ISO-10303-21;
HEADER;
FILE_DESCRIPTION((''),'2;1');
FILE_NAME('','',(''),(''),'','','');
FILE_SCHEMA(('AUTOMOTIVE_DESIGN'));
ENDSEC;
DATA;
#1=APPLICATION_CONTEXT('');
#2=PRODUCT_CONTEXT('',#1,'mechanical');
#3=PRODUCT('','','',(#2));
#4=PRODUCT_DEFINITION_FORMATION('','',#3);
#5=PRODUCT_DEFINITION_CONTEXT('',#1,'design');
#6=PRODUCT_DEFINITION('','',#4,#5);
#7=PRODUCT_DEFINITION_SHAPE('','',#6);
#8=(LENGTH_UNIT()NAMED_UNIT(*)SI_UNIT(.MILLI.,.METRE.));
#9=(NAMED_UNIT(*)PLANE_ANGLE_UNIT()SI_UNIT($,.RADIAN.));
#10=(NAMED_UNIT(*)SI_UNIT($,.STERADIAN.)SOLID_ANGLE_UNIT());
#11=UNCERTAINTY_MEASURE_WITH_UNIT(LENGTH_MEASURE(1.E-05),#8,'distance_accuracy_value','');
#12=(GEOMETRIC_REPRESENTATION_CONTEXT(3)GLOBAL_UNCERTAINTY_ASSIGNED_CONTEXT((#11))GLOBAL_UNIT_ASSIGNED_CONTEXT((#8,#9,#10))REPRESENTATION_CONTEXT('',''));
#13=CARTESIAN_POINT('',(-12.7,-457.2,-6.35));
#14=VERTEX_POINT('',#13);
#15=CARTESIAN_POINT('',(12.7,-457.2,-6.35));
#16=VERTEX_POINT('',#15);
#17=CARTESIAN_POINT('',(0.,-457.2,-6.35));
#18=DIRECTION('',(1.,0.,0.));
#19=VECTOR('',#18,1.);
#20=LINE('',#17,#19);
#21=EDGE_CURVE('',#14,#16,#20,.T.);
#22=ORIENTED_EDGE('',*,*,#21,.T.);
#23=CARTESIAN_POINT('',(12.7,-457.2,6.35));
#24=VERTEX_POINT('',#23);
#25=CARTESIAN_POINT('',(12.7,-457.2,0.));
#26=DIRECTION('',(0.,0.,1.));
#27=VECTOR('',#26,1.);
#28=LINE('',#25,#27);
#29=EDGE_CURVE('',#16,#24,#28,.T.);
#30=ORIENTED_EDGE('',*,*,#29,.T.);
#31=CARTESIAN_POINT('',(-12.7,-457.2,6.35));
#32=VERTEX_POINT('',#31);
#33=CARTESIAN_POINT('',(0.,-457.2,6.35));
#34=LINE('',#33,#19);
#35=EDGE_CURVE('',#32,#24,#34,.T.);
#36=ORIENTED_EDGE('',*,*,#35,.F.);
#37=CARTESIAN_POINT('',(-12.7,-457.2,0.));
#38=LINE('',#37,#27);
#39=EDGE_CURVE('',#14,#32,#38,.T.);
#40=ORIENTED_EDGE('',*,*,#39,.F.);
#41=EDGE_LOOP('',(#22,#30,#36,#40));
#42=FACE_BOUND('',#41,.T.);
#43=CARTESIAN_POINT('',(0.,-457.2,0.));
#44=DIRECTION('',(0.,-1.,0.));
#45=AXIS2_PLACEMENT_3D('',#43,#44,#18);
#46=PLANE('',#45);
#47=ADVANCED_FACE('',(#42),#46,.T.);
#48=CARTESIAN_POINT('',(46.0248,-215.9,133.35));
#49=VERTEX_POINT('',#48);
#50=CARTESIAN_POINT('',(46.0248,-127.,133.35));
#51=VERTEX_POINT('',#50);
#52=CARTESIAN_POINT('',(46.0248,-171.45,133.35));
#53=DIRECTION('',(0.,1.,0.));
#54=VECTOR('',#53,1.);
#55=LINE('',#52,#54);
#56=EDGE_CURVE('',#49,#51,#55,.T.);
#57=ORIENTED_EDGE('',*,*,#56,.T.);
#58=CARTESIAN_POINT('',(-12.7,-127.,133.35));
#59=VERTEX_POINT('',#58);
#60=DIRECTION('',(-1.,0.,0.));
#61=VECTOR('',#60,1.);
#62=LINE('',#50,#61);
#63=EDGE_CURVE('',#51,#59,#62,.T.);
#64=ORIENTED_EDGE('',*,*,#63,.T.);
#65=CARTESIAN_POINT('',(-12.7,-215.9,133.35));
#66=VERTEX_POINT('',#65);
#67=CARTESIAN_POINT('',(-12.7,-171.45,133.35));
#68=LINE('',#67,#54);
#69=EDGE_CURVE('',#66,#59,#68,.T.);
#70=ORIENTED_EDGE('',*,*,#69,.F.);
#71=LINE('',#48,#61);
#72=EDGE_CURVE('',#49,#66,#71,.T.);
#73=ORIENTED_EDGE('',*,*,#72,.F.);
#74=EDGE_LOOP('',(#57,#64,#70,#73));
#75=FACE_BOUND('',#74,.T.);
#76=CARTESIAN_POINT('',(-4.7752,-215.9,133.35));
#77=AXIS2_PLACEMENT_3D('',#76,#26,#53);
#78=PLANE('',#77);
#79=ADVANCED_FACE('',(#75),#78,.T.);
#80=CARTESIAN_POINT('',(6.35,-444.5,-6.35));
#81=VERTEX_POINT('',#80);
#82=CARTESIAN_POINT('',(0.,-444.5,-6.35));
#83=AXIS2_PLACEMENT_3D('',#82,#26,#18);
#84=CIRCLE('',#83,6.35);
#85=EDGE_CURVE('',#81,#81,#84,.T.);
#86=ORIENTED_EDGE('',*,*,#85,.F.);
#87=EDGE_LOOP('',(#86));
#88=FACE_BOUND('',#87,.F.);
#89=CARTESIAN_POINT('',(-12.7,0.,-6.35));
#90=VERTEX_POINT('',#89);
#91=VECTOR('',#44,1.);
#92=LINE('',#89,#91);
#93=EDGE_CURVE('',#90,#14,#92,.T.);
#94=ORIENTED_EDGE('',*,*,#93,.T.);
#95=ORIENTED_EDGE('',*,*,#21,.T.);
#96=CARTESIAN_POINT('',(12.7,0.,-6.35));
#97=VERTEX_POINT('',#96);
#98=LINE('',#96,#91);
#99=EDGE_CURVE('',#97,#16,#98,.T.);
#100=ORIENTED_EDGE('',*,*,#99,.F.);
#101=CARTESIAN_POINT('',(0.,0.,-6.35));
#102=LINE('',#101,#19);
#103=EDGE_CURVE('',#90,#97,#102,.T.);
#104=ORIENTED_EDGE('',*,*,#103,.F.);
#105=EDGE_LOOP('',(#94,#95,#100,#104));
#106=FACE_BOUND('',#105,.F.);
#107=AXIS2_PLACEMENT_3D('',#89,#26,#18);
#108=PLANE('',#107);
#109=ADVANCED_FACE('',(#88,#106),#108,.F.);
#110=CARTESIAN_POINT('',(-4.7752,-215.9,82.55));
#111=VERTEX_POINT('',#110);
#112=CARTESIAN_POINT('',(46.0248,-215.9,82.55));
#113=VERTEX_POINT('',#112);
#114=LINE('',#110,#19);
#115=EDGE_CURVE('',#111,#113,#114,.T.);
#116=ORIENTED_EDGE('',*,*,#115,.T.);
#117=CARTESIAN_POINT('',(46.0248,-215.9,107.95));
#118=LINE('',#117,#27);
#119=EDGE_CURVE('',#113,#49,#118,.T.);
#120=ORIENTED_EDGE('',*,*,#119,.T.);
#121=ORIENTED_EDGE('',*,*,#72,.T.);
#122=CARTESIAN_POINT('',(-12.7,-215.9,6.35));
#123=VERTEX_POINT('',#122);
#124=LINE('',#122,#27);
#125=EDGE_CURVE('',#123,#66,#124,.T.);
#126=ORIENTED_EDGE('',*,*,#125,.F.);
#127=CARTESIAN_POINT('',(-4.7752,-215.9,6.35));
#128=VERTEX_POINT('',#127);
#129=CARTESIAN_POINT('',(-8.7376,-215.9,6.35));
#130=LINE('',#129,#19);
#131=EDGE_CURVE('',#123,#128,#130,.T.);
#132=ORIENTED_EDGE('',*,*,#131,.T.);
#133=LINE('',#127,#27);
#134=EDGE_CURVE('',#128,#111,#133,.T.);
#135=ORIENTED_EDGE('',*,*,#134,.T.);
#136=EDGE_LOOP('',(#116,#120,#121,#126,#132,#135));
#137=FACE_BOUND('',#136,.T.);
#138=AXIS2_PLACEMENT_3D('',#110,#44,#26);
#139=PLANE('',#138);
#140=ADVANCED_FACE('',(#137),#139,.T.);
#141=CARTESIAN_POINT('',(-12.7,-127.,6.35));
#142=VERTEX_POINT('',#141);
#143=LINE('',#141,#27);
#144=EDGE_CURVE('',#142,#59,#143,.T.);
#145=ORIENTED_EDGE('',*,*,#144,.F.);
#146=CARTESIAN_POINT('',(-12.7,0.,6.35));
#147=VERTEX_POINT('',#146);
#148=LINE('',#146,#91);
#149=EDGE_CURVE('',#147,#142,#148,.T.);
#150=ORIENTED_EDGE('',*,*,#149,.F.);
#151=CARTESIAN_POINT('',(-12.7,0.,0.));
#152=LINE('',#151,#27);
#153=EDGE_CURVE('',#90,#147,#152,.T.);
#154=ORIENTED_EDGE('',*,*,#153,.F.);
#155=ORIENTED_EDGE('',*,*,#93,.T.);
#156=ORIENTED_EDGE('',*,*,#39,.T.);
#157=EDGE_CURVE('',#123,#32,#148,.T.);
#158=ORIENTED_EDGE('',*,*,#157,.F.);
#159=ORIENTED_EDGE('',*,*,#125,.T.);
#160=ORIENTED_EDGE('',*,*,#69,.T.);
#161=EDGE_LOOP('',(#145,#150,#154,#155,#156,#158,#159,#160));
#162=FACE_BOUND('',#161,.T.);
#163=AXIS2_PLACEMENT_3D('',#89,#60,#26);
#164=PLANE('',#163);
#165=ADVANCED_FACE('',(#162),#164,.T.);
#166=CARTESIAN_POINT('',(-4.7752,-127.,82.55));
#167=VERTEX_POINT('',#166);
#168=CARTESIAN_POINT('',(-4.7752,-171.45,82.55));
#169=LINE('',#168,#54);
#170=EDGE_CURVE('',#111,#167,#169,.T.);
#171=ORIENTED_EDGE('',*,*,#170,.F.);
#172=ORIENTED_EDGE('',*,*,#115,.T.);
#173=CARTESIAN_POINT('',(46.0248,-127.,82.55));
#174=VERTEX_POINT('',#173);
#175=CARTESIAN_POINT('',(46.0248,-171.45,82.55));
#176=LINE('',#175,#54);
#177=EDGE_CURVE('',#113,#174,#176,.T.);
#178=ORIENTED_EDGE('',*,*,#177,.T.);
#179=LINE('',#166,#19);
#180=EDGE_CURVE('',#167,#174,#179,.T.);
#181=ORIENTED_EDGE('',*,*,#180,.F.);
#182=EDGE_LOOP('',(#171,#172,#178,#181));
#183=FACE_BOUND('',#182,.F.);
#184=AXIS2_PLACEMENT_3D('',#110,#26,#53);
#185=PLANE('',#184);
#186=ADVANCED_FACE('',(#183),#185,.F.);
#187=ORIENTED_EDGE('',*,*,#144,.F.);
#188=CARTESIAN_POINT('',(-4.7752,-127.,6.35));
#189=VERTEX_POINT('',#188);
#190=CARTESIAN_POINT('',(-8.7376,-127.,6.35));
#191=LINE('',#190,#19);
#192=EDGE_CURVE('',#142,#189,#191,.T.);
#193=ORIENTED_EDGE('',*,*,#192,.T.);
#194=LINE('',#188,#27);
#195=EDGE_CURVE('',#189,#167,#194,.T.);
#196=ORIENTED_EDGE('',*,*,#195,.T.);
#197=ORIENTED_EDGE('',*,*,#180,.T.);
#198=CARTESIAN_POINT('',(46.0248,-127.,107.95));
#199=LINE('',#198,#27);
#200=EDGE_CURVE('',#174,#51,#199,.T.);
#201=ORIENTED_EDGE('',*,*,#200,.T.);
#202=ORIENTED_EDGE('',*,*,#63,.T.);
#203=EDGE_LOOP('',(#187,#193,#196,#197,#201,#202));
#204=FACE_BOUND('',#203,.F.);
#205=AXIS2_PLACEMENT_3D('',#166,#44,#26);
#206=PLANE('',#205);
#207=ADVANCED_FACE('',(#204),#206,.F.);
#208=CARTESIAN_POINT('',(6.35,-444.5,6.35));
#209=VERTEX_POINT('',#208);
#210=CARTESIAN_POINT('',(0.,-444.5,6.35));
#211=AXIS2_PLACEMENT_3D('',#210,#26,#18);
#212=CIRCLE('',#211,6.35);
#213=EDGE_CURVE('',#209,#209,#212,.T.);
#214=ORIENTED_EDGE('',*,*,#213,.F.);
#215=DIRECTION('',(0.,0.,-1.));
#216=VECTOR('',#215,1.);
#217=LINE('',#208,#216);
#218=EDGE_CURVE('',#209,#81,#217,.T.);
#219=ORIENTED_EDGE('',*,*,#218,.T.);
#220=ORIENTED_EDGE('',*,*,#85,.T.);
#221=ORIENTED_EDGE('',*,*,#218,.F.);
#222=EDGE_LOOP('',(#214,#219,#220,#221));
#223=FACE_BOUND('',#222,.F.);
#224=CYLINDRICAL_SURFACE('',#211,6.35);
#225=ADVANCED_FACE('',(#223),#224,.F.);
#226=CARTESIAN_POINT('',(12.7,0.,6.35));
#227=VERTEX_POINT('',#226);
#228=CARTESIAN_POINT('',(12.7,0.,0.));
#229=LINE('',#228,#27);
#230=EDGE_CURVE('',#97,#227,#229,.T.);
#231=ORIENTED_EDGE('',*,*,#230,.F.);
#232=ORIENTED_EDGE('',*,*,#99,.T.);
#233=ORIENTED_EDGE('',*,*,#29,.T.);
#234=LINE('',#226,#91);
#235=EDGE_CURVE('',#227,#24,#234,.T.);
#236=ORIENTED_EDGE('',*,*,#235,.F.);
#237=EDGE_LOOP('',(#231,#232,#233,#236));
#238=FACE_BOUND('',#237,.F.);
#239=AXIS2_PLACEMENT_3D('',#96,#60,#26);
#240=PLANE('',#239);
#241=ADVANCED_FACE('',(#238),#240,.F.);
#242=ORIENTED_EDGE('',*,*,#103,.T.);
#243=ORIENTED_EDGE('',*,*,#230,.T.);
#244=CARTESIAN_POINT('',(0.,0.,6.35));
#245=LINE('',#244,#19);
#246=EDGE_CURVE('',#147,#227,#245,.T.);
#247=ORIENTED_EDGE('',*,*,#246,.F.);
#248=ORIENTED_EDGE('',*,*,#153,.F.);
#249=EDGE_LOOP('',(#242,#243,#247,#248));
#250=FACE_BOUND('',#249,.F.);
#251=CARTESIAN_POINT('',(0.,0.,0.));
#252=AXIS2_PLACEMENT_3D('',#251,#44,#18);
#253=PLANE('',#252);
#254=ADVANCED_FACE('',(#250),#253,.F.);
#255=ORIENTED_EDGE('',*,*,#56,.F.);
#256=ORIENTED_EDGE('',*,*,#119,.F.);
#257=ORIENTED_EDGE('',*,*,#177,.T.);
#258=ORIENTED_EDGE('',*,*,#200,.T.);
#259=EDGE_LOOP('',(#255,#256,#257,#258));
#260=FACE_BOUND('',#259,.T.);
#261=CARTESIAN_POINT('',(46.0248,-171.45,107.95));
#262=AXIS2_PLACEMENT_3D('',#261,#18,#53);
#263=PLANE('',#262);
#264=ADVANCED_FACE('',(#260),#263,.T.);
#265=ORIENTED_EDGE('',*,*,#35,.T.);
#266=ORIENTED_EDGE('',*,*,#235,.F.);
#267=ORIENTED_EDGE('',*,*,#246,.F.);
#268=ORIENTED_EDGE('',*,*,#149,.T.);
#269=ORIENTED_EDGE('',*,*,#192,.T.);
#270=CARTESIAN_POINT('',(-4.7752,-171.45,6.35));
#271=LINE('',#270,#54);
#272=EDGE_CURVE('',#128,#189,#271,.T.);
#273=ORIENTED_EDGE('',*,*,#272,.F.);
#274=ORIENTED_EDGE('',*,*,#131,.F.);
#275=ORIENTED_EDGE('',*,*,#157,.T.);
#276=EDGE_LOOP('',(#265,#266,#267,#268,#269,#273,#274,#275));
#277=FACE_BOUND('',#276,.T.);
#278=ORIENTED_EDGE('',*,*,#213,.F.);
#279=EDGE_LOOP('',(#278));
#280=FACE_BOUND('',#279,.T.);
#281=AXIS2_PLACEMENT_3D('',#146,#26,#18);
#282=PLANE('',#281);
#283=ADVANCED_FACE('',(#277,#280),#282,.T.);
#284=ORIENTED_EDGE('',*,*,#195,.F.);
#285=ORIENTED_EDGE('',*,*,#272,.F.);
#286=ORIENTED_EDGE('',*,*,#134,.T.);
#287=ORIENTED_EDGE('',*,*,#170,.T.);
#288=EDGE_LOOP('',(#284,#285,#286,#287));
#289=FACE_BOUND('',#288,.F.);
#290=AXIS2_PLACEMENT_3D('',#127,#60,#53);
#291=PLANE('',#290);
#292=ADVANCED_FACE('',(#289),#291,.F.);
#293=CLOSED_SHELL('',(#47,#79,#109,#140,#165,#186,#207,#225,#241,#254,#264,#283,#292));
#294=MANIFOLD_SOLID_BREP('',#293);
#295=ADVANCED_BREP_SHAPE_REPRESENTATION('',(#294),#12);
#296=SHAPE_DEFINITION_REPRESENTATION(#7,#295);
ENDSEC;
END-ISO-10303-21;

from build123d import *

# Parameters (mm, degrees)
F0_W     = 25.4
F0_H     = 12.7
F1_DEPTH = 457.2
F2_W     = 7.9248
F2_H     = 88.9
F3_DEPTH = 127
F4_W     = 88.9
F4_H     = 50.8
F5_DEPTH = 50.8
F6_R     = 6.35
F7_DEPTH = 25.4


with BuildPart() as f1:
    # F0 (on Front) → F1 (new body)
    with BuildSketch(Plane.XZ):
        Rectangle(F0_W, F0_H)
    extrude(amount=F1_DEPTH)

    # F2 (on face) → F3 (join)
    with BuildSketch(Plane.XY.offset(6.35)):
        with Locations((-8.7376, -171.45)):
            Rectangle(F2_W, F2_H)
    extrude(amount=F3_DEPTH)

    # F4 (on face) → F5 (join)
    with BuildSketch(Plane.YZ.offset(-4.7752)):
        with Locations((-171.45, 107.95)):
            Rectangle(F4_W, F4_H)
    extrude(amount=F5_DEPTH)

    # F6 (on face) → F7 (cut)
    with BuildSketch(Plane.XY.offset(6.35)):
        with Locations((0, -444.5)):
            Circle(F6_R)
    extrude(amount=-F7_DEPTH, mode=Mode.SUBTRACT)


solid = f1.part
